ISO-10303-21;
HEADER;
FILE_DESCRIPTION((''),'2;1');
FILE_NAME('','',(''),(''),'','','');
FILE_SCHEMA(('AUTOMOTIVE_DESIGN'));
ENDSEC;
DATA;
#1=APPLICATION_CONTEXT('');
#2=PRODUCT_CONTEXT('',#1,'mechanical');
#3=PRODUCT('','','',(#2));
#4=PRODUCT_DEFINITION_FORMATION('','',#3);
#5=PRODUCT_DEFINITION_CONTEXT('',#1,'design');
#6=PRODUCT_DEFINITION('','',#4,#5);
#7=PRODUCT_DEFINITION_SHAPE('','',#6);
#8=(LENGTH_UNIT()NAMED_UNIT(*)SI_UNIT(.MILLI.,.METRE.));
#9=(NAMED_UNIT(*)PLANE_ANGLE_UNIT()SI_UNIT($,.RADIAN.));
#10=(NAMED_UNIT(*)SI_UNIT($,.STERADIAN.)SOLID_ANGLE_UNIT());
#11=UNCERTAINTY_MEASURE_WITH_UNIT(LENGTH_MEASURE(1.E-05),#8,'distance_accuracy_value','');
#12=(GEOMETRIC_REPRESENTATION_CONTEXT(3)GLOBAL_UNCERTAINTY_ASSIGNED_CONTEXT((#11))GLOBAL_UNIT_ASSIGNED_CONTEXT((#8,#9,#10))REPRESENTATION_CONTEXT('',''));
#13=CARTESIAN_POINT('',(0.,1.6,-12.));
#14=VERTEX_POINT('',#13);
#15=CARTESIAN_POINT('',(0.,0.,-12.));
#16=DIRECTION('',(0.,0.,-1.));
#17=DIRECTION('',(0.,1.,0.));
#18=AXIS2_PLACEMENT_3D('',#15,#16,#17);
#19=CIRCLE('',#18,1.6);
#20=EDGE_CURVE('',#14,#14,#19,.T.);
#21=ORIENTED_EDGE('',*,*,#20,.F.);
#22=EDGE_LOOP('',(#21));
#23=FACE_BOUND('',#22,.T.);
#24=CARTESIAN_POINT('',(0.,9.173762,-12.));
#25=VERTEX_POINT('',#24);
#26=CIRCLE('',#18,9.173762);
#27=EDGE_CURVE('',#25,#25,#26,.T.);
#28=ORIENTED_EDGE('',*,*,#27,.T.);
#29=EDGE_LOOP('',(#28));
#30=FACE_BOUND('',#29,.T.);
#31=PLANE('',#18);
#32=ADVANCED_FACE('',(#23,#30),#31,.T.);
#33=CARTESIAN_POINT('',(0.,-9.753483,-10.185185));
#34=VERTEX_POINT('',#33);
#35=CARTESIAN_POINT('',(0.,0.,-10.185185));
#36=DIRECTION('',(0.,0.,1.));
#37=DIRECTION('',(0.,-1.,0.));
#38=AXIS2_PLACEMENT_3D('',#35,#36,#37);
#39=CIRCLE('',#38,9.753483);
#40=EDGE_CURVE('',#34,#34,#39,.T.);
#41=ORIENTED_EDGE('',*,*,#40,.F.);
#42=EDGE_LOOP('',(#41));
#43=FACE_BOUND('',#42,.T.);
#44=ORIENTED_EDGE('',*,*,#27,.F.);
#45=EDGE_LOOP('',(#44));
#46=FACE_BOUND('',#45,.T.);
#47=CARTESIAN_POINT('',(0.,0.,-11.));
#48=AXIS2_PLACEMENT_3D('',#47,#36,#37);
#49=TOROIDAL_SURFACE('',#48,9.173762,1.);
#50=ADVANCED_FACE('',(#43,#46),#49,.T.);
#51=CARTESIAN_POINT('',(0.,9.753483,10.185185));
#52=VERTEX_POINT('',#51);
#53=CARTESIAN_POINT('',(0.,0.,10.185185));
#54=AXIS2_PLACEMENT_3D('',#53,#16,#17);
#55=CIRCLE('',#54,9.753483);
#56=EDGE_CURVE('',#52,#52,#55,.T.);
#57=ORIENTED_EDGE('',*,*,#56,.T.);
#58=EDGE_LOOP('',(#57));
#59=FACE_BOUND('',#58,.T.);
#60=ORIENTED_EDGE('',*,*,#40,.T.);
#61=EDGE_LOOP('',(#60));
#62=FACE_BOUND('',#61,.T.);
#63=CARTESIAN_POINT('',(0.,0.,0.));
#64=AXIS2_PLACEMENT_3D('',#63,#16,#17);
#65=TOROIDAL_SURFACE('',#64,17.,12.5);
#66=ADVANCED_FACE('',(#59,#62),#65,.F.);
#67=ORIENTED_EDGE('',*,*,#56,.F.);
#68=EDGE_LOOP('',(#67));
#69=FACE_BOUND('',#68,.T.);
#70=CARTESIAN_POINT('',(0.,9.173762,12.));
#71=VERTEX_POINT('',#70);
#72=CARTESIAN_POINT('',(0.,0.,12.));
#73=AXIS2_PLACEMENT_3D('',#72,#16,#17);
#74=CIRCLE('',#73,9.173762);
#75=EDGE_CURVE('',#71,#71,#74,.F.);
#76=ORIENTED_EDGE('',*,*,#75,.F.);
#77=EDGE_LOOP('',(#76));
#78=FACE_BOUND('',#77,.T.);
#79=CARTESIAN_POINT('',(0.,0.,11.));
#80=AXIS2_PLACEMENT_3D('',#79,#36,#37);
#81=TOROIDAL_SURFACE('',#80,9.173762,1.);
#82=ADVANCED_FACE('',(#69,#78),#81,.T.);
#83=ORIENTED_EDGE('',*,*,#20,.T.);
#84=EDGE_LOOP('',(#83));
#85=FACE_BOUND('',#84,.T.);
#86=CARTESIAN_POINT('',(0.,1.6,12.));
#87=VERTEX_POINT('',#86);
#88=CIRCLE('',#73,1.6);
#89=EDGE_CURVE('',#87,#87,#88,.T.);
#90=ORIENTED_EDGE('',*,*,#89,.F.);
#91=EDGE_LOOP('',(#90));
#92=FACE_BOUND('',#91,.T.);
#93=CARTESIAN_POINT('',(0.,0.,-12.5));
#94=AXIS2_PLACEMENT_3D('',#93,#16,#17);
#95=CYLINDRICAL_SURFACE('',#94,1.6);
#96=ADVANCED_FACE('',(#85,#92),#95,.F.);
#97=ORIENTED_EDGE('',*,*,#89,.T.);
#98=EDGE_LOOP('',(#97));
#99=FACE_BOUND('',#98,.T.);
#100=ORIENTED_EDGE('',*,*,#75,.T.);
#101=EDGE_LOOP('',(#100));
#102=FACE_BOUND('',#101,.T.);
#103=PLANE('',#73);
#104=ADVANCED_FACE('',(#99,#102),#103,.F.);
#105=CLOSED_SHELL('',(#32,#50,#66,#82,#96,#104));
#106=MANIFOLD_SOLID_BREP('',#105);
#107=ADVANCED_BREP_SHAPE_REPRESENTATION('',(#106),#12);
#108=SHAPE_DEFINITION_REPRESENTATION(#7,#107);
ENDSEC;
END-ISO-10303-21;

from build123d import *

# Parameters (mm, degrees)
FILLET1_R = 1


with BuildPart() as part:
    # Sketch1 → Revolve1 (revolve)
    with BuildSketch(Plane(origin=(0, 0, 0), x_dir=(0, 0, -1), z_dir=(1, 0, 0))):
        with BuildLine():
            Line((12, 1.6), (12, 13.5))
            ThreePointArc((12, 13.5), (0, 4.5), (-12, 13.5))
            Line((-12, 13.5), (-12, 1.6))
            Line((-12, 1.6), (12, 1.6))
        make_face()
    revolve(axis=Axis((0, 0, -12.5), (0, 0, 1)))

    # Fillet1
    fillet1_edges = [part.edges().sort_by_distance(p)[0] for p in [
        (0, -13.5, 12),
        (0, -13.5, -12),
    ]]
    fillet(fillet1_edges, radius=FILLET1_R)


solid = part.part
